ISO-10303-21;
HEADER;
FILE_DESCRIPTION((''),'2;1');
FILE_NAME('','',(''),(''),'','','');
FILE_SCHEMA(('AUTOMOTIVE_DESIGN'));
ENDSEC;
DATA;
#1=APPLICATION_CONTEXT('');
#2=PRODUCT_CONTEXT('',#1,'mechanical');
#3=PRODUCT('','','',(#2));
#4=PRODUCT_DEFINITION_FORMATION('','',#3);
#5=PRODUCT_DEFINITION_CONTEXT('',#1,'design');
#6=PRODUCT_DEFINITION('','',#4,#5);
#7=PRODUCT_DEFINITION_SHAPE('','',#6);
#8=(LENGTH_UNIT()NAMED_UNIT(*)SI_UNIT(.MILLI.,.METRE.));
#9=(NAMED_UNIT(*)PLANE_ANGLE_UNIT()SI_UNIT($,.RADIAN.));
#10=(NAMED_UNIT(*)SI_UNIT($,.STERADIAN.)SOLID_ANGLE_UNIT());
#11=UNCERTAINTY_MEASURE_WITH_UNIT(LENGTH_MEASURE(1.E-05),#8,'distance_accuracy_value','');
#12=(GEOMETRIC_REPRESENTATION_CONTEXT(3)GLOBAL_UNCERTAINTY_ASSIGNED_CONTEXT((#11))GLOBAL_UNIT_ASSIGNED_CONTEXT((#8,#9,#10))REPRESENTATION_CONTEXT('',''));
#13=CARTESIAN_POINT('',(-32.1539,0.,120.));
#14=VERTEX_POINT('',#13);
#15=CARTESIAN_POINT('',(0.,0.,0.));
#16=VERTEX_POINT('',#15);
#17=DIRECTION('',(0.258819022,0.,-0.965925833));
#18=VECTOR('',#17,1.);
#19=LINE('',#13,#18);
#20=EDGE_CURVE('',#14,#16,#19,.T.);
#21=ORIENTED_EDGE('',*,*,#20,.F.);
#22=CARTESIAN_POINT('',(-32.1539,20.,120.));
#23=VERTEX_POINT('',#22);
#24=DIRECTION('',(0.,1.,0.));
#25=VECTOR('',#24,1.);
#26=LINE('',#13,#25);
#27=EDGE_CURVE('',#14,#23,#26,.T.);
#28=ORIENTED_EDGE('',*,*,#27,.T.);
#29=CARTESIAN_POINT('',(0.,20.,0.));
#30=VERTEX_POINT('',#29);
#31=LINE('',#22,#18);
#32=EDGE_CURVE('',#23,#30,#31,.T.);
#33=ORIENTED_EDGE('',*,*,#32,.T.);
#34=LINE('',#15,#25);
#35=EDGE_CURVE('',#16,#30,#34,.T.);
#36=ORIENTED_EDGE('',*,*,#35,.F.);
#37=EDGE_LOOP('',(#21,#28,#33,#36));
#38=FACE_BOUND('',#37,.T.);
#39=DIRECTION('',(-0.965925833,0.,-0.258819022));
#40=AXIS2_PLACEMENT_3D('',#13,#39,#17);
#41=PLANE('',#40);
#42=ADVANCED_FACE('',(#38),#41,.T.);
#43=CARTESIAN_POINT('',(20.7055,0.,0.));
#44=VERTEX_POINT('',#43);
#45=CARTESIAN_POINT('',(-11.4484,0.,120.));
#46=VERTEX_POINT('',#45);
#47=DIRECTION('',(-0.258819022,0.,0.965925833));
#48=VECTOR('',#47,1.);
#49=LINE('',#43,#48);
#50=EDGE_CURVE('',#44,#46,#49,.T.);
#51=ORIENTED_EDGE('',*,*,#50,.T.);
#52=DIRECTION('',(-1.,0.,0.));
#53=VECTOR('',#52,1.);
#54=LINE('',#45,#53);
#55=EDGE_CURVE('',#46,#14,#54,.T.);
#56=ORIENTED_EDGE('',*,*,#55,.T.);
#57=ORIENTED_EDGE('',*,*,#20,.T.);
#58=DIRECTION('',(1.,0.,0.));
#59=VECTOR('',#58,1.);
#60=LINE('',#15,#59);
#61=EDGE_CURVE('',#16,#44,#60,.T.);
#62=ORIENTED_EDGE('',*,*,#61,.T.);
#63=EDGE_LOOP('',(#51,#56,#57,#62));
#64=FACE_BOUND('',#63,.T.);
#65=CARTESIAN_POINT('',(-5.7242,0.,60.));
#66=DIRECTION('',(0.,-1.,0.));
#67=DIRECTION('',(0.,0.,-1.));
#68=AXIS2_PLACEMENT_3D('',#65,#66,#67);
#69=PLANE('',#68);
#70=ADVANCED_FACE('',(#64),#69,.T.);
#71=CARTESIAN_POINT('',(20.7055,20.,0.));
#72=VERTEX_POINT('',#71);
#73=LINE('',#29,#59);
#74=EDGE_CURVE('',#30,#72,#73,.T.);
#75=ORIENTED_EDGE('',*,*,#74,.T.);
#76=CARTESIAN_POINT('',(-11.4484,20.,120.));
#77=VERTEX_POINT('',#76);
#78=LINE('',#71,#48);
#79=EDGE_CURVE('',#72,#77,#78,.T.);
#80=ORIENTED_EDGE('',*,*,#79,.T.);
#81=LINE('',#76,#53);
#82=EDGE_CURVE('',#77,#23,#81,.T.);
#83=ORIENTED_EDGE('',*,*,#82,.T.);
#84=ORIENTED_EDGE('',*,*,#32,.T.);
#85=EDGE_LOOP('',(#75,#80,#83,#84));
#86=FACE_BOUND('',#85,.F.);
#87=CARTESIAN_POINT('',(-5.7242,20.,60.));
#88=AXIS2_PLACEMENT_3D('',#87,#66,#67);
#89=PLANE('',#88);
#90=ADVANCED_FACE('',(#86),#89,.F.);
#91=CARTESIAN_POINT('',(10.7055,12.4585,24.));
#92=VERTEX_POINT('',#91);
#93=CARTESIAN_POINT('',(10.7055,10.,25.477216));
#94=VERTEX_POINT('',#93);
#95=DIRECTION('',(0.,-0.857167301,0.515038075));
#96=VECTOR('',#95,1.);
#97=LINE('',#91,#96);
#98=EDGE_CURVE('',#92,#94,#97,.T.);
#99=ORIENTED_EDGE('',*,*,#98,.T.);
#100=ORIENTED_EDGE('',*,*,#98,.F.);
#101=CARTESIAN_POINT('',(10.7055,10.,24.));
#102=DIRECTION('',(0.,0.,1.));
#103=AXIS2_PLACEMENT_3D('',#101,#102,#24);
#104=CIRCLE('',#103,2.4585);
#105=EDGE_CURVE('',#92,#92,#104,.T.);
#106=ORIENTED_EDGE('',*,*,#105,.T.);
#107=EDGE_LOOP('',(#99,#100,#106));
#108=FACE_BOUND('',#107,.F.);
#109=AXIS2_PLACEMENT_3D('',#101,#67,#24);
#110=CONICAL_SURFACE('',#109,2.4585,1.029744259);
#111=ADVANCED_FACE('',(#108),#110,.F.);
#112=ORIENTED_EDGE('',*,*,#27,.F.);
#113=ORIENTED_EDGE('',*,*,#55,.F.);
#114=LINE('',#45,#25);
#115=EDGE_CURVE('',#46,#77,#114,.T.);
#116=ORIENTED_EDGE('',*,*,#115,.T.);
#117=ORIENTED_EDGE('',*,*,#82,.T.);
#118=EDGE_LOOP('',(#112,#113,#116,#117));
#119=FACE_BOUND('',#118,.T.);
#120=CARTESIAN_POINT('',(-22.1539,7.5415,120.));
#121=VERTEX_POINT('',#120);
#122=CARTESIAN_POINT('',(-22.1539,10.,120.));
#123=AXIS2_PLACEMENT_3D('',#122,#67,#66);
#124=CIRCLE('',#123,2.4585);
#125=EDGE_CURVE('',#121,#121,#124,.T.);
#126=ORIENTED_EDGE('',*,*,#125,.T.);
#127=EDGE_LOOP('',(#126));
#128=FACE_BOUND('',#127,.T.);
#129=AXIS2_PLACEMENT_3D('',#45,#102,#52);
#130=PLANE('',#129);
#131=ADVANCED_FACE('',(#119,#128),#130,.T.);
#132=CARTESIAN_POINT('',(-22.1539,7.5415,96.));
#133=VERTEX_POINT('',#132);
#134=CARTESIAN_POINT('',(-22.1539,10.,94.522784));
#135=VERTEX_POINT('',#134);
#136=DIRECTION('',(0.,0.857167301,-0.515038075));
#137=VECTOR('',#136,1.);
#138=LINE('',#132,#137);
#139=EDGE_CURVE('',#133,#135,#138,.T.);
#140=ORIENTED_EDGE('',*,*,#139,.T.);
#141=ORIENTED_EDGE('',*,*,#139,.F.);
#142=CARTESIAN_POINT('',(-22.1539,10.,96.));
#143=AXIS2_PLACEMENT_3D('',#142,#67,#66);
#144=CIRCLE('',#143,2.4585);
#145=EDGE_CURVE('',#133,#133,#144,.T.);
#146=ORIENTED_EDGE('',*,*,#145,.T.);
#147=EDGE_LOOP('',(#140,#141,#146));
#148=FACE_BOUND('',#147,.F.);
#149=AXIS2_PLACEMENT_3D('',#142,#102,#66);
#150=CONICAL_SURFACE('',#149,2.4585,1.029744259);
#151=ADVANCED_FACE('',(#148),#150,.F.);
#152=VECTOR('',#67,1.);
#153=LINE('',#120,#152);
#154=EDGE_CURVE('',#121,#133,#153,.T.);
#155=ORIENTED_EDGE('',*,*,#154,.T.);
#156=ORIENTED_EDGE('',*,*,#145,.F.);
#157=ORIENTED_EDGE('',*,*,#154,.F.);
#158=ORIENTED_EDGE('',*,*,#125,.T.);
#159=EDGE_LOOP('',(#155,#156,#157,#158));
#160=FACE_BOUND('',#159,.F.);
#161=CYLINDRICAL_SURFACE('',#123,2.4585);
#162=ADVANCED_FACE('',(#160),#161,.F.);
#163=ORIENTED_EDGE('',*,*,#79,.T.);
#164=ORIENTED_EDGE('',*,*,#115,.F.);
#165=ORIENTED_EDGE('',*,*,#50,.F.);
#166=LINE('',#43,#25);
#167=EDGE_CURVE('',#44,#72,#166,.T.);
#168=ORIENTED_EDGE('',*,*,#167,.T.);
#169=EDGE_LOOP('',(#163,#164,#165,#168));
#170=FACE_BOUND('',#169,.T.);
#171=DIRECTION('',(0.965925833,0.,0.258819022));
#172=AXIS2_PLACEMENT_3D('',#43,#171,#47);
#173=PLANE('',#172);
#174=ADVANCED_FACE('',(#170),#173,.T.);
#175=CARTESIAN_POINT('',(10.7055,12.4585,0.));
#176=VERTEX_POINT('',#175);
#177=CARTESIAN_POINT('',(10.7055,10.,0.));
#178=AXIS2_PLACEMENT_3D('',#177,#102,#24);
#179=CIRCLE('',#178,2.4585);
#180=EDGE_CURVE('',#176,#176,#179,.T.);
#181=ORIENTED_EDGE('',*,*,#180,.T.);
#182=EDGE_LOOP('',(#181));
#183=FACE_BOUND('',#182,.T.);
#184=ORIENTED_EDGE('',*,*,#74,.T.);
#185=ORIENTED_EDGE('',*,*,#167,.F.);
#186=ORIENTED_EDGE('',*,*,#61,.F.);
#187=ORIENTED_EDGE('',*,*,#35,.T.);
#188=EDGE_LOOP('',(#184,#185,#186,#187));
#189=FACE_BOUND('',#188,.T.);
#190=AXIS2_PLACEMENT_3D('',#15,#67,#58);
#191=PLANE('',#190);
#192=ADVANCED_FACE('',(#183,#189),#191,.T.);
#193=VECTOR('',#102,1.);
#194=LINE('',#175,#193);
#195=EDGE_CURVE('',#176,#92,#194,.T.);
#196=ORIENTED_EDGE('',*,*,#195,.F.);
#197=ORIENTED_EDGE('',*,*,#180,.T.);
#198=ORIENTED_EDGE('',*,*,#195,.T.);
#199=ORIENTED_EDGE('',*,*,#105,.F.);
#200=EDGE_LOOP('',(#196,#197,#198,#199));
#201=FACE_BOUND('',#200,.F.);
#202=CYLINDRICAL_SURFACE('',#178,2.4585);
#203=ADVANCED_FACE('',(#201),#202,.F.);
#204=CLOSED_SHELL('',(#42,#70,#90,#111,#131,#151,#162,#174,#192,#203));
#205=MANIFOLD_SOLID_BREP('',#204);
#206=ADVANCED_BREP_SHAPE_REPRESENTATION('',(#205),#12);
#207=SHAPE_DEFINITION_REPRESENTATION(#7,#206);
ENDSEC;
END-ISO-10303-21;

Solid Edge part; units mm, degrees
sketch "Sketch1" plane through (0, 0, 0) normal (0, -1, 0) x (1, 0, 0)
  line L0 (-11.4484, 120) -> (-32.1539, 120)
  line L1 (-32.1539, 120) -> (0, 0)
  line L2 (0, 0) -> (20.7055, 0)
  line L3 (20.7055, 0) -> (-11.4484, 120)
extrude "Protrusion1" add sketch "Sketch1" against normal blind 20
hole "Agujero_3" at (-22.1539, 10, 120) direction (0, 0, -1) diameter 4.917 depth 24 tip angle 118 thread major 6 thread length 20
hole "Agujero_4" at (10.7055, 10, 0) direction (0, 0, 1) diameter 4.917 depth 24 tip angle 118 thread major 6 thread length 20
properties part number "1976-1100-002" material "Acero, estructural"
